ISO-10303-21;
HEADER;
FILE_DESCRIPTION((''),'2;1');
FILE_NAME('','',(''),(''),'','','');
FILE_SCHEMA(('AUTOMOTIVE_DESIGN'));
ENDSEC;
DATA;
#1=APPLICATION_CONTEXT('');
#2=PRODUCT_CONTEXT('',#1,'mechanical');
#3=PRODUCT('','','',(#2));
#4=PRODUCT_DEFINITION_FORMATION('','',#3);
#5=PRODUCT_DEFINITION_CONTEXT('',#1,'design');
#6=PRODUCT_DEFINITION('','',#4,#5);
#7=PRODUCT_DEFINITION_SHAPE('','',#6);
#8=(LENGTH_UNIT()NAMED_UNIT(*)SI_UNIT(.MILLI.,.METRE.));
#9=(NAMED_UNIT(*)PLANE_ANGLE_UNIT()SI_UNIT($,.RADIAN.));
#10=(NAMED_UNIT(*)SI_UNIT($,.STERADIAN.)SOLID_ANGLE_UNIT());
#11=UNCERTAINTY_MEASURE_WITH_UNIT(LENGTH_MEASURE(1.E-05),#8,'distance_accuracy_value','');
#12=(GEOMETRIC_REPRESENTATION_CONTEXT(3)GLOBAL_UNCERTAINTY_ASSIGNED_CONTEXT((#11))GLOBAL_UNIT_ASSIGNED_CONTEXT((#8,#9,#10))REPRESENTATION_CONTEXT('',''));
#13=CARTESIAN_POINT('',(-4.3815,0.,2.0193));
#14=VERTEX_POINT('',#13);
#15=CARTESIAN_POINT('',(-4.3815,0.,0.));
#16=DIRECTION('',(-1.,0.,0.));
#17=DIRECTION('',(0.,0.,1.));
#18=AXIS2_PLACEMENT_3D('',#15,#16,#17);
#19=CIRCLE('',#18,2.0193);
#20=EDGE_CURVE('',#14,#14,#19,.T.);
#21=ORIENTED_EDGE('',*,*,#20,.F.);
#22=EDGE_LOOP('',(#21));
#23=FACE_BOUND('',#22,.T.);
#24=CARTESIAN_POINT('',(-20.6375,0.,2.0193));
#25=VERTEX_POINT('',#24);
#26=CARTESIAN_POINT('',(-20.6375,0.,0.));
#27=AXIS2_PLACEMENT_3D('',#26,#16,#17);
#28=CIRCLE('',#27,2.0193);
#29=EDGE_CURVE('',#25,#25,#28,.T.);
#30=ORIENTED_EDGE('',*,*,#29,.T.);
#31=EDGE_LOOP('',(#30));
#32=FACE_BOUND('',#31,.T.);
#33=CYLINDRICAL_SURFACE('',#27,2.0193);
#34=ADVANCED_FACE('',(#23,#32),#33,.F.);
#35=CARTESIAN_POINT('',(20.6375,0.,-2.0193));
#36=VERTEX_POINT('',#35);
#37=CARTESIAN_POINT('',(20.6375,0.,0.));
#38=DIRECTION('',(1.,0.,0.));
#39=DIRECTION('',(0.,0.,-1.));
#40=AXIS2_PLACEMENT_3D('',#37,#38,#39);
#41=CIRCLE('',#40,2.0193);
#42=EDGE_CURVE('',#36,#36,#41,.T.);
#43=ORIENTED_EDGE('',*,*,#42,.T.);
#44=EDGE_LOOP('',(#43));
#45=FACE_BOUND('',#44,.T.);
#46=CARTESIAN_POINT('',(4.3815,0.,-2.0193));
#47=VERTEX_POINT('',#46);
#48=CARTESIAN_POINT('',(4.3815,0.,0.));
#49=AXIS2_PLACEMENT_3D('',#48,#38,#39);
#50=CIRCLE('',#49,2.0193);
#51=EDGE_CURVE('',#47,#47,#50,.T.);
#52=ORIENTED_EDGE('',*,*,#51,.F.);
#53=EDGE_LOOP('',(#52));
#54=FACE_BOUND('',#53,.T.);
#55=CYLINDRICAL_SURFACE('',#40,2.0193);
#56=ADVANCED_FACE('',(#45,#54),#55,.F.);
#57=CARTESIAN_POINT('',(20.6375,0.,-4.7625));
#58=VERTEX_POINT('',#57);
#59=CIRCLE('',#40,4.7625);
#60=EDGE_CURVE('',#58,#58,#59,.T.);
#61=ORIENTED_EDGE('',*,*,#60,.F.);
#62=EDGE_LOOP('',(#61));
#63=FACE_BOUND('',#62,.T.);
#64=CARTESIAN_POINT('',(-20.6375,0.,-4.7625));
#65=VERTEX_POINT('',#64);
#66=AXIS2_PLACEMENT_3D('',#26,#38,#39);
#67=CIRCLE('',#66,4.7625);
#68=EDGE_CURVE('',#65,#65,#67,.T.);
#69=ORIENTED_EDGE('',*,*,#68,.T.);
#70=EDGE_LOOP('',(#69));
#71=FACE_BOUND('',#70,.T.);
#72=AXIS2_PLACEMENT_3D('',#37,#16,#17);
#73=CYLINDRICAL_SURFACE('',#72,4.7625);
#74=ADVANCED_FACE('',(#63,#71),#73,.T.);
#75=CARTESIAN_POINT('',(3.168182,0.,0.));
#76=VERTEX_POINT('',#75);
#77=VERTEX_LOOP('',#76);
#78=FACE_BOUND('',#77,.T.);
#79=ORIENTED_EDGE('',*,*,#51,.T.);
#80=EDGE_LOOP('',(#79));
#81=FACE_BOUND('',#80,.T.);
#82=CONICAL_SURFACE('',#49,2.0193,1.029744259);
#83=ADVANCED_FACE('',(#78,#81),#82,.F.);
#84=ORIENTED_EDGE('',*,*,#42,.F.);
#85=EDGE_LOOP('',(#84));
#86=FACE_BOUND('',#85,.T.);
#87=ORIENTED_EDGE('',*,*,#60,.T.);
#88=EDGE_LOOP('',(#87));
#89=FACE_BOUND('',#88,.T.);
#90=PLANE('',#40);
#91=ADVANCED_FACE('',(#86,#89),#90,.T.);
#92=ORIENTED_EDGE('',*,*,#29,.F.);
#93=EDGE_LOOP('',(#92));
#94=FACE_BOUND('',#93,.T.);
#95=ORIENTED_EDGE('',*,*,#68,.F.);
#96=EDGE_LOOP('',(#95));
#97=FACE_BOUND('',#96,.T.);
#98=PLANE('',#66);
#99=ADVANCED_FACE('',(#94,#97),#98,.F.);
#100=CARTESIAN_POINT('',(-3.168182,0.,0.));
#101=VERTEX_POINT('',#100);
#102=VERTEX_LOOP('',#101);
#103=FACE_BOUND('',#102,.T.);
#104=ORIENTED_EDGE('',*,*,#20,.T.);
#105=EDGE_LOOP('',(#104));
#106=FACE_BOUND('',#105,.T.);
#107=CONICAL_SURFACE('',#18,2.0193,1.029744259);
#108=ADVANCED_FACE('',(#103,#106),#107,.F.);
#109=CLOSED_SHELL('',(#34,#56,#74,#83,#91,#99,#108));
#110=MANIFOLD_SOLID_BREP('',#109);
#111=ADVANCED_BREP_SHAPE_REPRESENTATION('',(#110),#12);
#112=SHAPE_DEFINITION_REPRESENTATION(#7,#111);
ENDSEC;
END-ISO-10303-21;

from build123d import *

# Parameters (mm, degrees)
SKETCH1_R                            = 4.7625
BOSS_EXTRUDE1_DEPTH                  = 20.6375
F_10_32_TAPPED_HOLE1_D               = 4.0386
F_10_32_TAPPED_HOLE1_DEPTH           = 16.256
F_10_32_TAPPED_HOLE1_TIP             = 1.213317848
F_10_32_TAPPED_HOLE1_ON_FACE_2_D     = 4.0386
F_10_32_TAPPED_HOLE1_ON_FACE_2_DEPTH = 16.256
F_10_32_TAPPED_HOLE1_ON_FACE_2_TIP   = 1.213317848


with BuildPart() as part:
    # Sketch1 → Boss-Extrude1 (new, symmetric)
    with BuildSketch(Plane(origin=(0, 0, 0), x_dir=(0, 0, -1), z_dir=(1, 0, 0))):
        Circle(SKETCH1_R)
    extrude(amount=BOSS_EXTRUDE1_DEPTH, both=True)

    # #10-32 Tapped Hole1
    with Locations(Plane(origin=(20.6375, 0, 0), x_dir=(0, 0, 1), z_dir=(1, 0, 0))):
        with Locations((0, 0)):
            Hole(F_10_32_TAPPED_HOLE1_D / 2, depth=F_10_32_TAPPED_HOLE1_DEPTH)
            with Locations((0, 0, -(F_10_32_TAPPED_HOLE1_DEPTH + F_10_32_TAPPED_HOLE1_TIP / 2))):  # 118° drill point
                Cone(0, F_10_32_TAPPED_HOLE1_D / 2, F_10_32_TAPPED_HOLE1_TIP, mode=Mode.SUBTRACT)

    # #10-32 Tapped Hole1 on face 2
    with Locations(Plane(origin=(-20.6375, 0, 0), x_dir=(0, 0, -1), z_dir=(-1, 0, 0))):
        with Locations((0, 0)):
            Hole(F_10_32_TAPPED_HOLE1_ON_FACE_2_D / 2, depth=F_10_32_TAPPED_HOLE1_ON_FACE_2_DEPTH)
            with Locations((0, 0, -(F_10_32_TAPPED_HOLE1_ON_FACE_2_DEPTH + F_10_32_TAPPED_HOLE1_ON_FACE_2_TIP / 2))):  # 118° drill point
                Cone(0, F_10_32_TAPPED_HOLE1_ON_FACE_2_D / 2, F_10_32_TAPPED_HOLE1_ON_FACE_2_TIP, mode=Mode.SUBTRACT)


solid = part.part
